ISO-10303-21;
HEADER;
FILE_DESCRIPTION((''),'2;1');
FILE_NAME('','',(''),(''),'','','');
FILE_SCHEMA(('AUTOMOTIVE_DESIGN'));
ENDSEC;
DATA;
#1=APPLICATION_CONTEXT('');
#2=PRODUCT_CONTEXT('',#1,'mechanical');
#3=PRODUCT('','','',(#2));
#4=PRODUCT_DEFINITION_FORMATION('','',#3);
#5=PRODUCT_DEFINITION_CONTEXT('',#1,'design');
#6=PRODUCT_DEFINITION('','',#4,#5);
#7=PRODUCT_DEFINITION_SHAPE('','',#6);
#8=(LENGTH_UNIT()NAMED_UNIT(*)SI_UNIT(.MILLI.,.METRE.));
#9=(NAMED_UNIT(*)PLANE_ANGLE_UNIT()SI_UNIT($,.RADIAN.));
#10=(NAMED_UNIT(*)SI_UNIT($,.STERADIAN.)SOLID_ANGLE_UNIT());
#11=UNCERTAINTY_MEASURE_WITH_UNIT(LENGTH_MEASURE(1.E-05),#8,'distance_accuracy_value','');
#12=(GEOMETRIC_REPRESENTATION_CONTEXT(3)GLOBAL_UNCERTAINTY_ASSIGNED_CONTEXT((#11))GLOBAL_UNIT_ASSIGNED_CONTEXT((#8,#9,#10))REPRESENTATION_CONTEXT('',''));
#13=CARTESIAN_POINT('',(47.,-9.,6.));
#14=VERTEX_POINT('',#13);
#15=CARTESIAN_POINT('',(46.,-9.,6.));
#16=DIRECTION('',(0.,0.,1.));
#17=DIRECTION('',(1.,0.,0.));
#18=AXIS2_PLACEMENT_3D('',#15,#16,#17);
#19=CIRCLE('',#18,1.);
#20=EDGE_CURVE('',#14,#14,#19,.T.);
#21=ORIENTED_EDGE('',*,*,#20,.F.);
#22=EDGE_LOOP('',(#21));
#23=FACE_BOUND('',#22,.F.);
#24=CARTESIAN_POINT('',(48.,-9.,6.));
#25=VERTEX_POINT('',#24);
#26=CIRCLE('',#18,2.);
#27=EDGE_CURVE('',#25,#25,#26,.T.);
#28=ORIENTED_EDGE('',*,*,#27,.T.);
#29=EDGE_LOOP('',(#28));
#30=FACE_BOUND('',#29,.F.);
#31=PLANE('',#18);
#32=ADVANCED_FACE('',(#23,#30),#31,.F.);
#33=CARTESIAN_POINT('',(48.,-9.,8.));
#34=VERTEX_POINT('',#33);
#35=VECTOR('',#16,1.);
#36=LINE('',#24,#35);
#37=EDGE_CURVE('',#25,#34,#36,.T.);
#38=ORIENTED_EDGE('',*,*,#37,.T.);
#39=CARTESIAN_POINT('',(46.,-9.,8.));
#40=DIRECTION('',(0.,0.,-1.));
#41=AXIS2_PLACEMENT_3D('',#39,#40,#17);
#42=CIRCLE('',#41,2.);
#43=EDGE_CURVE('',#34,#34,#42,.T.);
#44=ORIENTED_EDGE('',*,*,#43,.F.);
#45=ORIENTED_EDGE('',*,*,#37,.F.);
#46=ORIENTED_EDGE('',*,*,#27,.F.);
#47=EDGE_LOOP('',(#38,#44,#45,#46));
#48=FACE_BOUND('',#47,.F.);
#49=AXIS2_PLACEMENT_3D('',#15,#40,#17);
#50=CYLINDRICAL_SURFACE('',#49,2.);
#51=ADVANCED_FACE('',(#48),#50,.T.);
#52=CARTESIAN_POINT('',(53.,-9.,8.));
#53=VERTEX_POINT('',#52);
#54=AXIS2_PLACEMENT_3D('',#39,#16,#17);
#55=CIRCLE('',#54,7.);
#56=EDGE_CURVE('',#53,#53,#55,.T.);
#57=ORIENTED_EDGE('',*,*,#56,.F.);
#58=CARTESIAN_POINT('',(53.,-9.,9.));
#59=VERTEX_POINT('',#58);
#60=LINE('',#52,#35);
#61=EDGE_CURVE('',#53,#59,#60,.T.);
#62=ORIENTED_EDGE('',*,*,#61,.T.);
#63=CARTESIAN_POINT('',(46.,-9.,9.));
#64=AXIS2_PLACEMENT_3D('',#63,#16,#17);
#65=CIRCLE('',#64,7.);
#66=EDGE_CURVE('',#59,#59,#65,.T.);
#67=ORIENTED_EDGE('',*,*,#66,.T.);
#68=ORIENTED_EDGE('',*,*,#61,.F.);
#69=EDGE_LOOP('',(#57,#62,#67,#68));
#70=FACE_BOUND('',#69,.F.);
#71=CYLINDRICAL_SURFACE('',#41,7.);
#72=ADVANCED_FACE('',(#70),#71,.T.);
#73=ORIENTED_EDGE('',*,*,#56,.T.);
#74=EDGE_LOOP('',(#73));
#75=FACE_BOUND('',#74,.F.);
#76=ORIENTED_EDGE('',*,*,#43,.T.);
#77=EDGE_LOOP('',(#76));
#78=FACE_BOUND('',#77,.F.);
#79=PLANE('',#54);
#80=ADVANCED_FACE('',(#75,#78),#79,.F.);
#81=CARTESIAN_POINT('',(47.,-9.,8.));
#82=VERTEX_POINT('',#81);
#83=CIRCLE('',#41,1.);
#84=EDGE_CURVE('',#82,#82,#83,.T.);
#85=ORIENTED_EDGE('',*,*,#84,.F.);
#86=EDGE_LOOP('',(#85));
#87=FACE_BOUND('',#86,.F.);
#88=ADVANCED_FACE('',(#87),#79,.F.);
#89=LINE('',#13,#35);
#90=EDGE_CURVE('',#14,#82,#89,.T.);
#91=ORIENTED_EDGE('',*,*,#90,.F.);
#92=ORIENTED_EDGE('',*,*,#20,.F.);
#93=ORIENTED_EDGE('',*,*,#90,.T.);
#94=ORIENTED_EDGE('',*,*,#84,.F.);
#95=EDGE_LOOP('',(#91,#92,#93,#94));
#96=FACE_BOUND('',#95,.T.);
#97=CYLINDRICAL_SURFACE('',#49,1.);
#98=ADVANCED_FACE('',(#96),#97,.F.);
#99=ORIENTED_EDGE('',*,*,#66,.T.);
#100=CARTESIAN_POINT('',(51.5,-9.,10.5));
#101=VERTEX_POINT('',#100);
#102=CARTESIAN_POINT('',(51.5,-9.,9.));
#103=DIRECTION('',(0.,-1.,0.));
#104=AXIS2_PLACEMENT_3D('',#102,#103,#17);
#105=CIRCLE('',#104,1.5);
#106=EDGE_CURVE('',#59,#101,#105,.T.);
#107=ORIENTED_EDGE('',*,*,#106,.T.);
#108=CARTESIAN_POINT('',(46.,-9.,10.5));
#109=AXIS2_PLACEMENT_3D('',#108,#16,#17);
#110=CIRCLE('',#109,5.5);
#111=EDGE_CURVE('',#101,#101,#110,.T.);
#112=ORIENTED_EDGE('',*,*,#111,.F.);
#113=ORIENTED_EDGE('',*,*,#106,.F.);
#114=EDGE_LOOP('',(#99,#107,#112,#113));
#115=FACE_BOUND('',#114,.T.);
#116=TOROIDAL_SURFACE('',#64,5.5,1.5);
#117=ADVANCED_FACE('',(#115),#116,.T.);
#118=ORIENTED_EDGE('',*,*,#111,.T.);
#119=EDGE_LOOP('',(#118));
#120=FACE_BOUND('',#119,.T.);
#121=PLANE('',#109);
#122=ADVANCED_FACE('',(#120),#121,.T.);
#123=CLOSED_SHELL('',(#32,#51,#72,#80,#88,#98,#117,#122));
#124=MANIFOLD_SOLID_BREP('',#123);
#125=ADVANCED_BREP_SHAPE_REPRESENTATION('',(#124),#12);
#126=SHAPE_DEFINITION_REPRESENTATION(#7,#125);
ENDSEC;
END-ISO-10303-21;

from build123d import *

# Parameters (mm, degrees)
CYLINDER085_R     = 1
CYLINDER085_DEPTH = 3.5
CYLINDER087_R     = 2
CYLINDER087_DEPTH = 3.5
CYLINDER086_R     = 7
CYLINDER086_DEPTH = 2.5
FILLET053_R       = 1.5


with BuildPart() as cylinder166:
    # Cylinder085 → Cylinder085 (new body)
    with BuildSketch(Plane(origin=(46, -9, 6), x_dir=(1, 0, 0), z_dir=(0, 0, 1))):
        Circle(CYLINDER085_R)
    extrude(amount=CYLINDER085_DEPTH)


with BuildPart() as cut110:
    # Cylinder087 → Cylinder087 (new body)
    with BuildSketch(Plane(origin=(46, -9, 6), x_dir=(1, 0, 0), z_dir=(0, 0, 1))):
        Circle(CYLINDER087_R)
    extrude(amount=CYLINDER087_DEPTH)

    # Cut110: cut Cylinder166
    add(cylinder166.part, mode=Mode.SUBTRACT)


with BuildPart() as fusion065:
    # Cylinder086 → Cylinder086 (new body)
    with BuildSketch(Plane(origin=(46, -9, 8), x_dir=(1, 0, 0), z_dir=(0, 0, 1))):
        Circle(CYLINDER086_R)
    extrude(amount=CYLINDER086_DEPTH)

    # Fillet053
    fillet053_edges = [fusion065.edges().sort_by_distance(p)[0] for p in [
        (39, -9, 10.5),
    ]]
    fillet(fillet053_edges, radius=FILLET053_R)

    # Fusion065: union Cut110
    add(cut110.part)


solid = fusion065.part
